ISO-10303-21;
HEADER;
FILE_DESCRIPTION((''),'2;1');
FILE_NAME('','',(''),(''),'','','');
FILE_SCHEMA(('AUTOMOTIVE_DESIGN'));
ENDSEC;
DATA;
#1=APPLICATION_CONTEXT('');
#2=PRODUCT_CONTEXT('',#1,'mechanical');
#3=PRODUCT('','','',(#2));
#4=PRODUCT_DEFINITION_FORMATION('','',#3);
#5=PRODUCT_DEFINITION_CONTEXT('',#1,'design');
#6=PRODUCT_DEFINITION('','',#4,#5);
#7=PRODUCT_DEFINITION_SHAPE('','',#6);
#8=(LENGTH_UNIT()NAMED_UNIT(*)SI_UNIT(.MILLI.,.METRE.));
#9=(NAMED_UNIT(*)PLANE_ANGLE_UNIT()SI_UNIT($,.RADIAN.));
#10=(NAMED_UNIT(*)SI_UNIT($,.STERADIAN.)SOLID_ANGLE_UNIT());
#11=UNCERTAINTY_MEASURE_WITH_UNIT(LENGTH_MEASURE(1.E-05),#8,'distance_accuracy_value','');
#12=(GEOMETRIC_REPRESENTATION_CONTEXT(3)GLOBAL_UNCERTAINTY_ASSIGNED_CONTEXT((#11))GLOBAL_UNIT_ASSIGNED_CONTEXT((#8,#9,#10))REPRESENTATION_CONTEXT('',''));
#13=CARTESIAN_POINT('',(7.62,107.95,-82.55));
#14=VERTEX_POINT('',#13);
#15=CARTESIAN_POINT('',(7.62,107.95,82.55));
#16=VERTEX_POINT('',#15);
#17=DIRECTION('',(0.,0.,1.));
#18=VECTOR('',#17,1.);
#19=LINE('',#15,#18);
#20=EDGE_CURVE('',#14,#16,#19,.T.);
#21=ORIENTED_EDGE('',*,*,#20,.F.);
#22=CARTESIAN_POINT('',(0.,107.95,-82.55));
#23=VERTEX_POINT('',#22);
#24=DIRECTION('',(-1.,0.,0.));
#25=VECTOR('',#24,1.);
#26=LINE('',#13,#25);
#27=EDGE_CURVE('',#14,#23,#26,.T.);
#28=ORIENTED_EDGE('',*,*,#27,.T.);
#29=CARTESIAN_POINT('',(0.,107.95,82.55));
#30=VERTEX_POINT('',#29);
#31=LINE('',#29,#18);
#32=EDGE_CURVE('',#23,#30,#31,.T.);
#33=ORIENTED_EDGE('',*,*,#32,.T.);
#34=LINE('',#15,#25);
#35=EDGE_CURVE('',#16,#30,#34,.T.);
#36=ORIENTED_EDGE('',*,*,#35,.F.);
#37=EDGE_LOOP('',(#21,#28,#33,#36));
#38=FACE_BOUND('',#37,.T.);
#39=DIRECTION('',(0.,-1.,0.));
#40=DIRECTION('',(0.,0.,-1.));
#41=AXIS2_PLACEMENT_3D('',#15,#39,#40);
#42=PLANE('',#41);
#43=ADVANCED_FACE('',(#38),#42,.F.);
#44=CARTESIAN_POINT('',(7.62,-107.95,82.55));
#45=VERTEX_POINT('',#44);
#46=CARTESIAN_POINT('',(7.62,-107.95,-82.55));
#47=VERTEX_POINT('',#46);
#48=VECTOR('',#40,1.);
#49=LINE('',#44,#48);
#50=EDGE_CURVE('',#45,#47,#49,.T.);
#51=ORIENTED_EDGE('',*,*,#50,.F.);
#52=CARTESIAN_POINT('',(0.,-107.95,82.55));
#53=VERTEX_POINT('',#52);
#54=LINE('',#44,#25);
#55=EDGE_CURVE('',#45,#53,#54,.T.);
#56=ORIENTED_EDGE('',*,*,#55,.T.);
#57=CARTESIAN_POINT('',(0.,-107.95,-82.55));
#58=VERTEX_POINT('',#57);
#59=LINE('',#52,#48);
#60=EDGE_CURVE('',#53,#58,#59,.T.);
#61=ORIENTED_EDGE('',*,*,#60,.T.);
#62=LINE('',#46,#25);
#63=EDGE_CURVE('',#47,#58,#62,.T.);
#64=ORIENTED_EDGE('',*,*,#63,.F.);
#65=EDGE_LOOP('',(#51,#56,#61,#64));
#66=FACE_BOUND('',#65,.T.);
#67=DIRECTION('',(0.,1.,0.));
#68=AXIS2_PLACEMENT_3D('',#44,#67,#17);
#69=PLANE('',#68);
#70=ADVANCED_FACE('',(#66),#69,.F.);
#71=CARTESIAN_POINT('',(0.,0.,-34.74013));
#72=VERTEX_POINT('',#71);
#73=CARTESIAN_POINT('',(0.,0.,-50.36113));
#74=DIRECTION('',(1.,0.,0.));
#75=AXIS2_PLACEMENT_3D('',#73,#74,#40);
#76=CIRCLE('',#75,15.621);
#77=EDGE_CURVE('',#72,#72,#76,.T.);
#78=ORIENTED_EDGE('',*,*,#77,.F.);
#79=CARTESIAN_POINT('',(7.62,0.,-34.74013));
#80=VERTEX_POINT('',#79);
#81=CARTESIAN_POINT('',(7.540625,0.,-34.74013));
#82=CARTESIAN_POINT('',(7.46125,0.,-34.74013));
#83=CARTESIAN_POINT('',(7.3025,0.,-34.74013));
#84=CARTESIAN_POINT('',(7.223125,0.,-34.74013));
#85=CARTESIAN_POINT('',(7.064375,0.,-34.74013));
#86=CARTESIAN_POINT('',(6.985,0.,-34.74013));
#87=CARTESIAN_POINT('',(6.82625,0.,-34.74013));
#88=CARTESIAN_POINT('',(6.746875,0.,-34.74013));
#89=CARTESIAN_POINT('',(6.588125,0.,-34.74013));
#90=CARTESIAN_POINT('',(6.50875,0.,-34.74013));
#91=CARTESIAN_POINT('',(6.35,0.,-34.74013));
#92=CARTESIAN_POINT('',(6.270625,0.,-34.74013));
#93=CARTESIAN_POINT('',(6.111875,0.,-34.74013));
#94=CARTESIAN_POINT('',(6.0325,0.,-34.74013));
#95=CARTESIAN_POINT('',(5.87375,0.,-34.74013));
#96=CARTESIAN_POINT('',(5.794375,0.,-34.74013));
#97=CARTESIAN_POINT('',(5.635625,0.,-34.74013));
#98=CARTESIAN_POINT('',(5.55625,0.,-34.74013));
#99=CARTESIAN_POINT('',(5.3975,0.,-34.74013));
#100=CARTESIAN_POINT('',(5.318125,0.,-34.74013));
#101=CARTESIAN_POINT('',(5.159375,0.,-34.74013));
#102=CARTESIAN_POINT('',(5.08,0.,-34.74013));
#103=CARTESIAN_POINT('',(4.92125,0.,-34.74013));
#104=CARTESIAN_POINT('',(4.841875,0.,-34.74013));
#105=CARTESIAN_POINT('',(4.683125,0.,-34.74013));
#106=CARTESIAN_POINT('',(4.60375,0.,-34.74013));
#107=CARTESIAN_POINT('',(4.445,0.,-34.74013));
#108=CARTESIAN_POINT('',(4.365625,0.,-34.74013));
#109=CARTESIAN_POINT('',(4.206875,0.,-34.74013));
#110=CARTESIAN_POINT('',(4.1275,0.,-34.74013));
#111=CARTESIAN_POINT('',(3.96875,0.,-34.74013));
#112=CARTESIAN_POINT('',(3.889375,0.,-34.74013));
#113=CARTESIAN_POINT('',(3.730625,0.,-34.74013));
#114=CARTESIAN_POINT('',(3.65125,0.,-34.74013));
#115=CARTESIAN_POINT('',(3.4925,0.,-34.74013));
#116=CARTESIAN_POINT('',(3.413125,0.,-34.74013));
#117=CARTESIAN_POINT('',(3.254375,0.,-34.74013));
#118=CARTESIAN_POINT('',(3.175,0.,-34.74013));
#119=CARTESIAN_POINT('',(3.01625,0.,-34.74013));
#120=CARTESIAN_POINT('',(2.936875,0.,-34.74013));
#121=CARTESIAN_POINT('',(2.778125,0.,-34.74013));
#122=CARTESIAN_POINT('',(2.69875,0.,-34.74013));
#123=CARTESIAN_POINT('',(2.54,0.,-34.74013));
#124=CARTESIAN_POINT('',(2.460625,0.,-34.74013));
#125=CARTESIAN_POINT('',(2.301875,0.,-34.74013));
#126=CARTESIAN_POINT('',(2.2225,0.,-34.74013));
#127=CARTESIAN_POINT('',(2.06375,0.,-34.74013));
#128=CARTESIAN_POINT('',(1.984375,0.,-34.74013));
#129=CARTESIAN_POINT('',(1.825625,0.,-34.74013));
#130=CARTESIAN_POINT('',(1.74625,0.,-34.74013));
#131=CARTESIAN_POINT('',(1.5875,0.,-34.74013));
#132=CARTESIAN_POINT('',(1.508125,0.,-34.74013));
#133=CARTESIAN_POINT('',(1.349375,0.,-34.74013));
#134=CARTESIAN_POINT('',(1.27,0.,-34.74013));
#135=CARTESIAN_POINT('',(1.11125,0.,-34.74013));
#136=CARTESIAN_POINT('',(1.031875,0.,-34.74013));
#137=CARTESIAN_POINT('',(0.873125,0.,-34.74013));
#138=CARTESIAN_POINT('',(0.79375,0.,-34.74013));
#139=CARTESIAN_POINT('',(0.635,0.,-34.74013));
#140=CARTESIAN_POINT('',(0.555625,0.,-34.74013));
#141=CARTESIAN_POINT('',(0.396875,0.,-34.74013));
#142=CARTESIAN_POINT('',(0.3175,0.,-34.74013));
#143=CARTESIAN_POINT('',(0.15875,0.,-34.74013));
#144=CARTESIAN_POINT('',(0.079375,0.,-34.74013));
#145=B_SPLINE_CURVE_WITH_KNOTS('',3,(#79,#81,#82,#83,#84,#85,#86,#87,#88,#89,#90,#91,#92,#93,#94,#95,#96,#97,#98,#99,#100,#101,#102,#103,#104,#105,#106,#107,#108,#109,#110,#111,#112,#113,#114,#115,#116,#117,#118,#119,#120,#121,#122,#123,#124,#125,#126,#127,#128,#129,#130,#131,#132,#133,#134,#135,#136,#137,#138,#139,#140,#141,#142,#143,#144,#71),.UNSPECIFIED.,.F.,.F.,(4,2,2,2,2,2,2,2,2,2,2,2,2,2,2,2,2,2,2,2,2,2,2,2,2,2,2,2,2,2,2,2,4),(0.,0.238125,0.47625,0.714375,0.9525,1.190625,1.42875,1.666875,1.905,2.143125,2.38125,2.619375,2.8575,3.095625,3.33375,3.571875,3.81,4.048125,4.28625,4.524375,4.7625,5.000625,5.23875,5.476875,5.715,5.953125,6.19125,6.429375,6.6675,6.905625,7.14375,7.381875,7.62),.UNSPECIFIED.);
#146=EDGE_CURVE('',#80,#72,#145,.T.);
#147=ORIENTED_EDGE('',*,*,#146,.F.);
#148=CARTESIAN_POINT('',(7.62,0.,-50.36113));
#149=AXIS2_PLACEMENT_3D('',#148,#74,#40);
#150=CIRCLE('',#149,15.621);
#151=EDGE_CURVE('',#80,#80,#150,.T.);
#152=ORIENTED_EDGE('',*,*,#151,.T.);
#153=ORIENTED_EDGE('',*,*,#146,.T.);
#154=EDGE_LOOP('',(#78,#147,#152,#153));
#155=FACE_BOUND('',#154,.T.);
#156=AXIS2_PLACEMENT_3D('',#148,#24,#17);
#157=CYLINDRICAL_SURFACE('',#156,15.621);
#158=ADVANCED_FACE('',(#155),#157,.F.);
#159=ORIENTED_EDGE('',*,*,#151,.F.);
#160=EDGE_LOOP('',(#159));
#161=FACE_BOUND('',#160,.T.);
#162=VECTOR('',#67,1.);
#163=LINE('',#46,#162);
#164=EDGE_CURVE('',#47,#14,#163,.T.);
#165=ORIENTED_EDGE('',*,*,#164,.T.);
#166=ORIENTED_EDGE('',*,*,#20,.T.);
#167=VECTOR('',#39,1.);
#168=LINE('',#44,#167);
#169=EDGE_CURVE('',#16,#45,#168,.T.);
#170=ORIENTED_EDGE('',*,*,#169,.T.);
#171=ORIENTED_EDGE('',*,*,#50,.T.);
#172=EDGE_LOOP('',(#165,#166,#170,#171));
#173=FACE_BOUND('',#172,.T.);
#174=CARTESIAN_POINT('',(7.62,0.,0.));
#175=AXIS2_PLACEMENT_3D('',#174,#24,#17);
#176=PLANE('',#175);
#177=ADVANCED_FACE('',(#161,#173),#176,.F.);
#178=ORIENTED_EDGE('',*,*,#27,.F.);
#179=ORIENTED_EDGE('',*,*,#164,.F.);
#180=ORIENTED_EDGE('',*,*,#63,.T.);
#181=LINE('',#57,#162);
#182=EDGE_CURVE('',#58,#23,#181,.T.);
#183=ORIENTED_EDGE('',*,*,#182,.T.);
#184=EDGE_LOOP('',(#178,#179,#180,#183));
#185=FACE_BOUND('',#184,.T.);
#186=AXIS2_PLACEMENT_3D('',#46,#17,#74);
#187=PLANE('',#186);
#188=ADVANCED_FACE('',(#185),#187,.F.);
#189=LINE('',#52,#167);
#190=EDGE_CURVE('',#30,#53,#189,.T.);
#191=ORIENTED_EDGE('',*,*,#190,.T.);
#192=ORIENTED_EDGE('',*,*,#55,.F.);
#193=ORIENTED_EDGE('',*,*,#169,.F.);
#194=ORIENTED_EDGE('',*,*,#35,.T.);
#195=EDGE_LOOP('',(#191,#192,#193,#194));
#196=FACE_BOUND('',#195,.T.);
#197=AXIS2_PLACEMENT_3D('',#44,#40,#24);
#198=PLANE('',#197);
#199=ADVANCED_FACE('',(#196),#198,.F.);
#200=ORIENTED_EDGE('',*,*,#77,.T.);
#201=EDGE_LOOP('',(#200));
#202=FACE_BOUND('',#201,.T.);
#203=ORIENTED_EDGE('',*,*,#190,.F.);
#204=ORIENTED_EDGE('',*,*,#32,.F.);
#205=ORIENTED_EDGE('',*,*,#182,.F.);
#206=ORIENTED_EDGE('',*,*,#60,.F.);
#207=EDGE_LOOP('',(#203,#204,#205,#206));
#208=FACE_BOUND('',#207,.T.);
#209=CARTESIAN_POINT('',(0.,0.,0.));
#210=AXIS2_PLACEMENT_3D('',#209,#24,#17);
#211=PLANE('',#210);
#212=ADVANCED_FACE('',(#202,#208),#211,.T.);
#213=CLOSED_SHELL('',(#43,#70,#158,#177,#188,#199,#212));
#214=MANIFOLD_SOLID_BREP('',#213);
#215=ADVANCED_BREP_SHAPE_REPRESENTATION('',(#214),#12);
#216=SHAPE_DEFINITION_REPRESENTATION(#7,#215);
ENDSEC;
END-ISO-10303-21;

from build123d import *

# Parameters (mm, degrees)
SKETCH1_W           = 165.1
SKETCH1_H           = 215.9
SKETCH1_R           = 15.621
BOSS_EXTRUDE1_DEPTH = 7.62


with BuildPart() as part:
    # Sketch1 → Boss-Extrude1 (new body)
    with BuildSketch(Plane(origin=(0, 0, 0), x_dir=(0, 0, -1), z_dir=(1, 0, 0))):
        Rectangle(SKETCH1_W, SKETCH1_H)
        with Locations(Location((50.361129664, 0, 0), (0, 0, 180))):
            Circle(SKETCH1_R, mode=Mode.SUBTRACT)
    extrude(amount=BOSS_EXTRUDE1_DEPTH)


solid = part.part
